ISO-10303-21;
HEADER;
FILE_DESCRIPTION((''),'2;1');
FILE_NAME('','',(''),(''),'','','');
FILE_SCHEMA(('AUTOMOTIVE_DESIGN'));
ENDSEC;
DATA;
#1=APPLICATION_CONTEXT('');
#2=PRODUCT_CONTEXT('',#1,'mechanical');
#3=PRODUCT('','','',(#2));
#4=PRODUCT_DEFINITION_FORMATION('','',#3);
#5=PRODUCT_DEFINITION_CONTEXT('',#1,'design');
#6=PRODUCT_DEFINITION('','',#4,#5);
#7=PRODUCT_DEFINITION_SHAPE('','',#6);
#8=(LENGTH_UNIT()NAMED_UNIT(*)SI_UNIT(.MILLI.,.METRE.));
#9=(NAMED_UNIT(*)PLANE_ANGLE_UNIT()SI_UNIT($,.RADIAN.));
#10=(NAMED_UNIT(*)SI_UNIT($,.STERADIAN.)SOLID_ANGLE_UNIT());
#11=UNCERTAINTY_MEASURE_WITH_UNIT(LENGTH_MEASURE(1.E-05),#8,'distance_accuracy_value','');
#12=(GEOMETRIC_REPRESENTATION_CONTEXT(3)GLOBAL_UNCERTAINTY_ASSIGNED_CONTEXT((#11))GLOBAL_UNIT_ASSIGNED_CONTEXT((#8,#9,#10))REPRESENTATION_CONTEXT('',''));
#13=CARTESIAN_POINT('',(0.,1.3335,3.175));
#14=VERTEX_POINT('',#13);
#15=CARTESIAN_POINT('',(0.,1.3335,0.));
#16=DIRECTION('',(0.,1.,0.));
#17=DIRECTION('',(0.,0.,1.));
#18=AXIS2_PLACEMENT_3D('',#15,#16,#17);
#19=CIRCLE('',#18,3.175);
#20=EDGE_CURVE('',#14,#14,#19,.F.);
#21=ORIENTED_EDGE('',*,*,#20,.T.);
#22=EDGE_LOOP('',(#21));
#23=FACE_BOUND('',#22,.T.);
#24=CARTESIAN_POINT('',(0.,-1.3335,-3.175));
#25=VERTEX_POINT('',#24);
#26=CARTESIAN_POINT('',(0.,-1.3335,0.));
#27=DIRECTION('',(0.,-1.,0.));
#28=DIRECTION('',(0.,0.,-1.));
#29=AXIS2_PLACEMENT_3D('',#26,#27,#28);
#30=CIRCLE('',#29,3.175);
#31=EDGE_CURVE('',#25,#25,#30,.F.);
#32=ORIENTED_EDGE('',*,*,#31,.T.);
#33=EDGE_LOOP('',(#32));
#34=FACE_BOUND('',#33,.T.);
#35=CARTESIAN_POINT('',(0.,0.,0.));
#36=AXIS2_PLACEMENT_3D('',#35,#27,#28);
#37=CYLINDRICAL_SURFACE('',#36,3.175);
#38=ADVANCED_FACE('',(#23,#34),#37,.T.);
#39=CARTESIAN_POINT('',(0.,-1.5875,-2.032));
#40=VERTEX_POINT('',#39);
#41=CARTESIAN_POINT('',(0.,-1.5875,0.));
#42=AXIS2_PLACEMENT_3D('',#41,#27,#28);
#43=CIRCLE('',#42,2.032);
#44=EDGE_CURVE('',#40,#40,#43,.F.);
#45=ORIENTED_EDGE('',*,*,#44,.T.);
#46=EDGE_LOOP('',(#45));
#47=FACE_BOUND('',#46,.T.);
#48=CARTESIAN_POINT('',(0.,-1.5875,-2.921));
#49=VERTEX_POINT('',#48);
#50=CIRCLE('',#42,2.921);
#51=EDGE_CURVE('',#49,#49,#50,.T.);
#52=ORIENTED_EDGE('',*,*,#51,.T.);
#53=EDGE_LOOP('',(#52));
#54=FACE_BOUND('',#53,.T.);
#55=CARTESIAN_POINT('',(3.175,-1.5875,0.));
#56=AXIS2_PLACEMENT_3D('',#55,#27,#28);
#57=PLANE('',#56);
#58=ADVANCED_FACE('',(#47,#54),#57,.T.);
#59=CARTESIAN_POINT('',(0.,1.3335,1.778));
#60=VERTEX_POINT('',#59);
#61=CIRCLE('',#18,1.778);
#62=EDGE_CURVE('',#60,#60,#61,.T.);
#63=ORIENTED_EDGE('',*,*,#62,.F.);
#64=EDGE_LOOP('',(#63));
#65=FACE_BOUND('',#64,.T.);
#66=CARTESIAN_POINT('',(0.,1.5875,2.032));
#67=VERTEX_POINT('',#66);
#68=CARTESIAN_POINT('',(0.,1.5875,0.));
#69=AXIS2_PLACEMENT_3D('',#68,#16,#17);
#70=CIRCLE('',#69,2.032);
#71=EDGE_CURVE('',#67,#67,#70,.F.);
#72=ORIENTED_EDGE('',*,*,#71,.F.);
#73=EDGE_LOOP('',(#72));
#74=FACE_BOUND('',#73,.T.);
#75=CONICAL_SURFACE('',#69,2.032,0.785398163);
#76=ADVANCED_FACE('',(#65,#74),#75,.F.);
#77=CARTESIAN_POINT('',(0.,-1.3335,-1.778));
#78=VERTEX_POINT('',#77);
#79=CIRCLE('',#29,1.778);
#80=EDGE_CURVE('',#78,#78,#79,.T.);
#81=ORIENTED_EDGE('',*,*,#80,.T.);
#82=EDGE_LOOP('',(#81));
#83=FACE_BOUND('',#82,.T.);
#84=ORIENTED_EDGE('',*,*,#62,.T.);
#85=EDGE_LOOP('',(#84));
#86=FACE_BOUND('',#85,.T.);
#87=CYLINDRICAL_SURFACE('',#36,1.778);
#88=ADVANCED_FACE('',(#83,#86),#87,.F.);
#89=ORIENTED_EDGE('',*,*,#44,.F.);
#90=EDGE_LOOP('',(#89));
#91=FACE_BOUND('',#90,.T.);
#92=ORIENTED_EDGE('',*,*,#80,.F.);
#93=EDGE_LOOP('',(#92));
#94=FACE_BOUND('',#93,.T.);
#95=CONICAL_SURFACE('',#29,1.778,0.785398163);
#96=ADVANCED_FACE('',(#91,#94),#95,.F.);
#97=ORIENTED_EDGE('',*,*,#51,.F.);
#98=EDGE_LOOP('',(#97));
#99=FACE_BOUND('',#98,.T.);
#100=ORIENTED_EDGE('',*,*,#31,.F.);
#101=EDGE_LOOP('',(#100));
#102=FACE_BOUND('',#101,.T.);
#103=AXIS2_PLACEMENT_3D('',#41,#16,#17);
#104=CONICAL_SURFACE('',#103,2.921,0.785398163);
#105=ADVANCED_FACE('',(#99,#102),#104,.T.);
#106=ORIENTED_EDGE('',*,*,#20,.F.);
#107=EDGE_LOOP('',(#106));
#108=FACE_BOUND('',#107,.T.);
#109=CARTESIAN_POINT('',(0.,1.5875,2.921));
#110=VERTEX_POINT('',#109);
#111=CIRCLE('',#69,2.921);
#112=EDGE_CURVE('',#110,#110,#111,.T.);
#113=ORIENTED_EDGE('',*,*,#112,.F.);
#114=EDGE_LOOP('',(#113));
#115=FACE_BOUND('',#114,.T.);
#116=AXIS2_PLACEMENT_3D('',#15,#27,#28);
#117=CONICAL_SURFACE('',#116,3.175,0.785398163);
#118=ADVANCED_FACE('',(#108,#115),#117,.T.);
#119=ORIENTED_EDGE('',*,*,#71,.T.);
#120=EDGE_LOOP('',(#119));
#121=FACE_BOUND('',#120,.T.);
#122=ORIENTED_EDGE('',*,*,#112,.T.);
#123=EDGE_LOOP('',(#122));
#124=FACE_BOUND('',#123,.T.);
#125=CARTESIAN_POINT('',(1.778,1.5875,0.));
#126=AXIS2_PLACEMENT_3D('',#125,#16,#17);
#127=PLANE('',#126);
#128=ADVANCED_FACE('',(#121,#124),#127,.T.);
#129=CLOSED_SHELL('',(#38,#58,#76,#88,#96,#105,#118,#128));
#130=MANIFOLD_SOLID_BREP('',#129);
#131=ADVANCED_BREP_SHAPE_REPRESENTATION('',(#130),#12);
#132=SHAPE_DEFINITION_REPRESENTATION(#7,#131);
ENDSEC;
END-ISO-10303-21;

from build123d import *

# Parameters (mm, degrees)
SKETCH1_W     = 1.397
SKETCH1_H     = 3.175
CHAMFER1_SIZE = 0.254


with BuildPart() as part:
    # Sketch1 → Revolve1 (revolve)
    with BuildSketch(Plane.XY):
        with Locations((2.4765, 0)):
            Rectangle(SKETCH1_W, SKETCH1_H)
    revolve(axis=Axis((0, 0, 0), (0, 1, 0)))

    # Chamfer1
    chamfer1_edges = [part.edges().sort_by_distance(p)[0] for p in [
        (-1.778, -1.5875, 0),
        (-3.175, -1.5875, 0),
        (-3.175, 1.5875, 0),
        (-1.778, 1.5875, 0),
    ]]
    chamfer(chamfer1_edges, length=CHAMFER1_SIZE)


solid = part.part
